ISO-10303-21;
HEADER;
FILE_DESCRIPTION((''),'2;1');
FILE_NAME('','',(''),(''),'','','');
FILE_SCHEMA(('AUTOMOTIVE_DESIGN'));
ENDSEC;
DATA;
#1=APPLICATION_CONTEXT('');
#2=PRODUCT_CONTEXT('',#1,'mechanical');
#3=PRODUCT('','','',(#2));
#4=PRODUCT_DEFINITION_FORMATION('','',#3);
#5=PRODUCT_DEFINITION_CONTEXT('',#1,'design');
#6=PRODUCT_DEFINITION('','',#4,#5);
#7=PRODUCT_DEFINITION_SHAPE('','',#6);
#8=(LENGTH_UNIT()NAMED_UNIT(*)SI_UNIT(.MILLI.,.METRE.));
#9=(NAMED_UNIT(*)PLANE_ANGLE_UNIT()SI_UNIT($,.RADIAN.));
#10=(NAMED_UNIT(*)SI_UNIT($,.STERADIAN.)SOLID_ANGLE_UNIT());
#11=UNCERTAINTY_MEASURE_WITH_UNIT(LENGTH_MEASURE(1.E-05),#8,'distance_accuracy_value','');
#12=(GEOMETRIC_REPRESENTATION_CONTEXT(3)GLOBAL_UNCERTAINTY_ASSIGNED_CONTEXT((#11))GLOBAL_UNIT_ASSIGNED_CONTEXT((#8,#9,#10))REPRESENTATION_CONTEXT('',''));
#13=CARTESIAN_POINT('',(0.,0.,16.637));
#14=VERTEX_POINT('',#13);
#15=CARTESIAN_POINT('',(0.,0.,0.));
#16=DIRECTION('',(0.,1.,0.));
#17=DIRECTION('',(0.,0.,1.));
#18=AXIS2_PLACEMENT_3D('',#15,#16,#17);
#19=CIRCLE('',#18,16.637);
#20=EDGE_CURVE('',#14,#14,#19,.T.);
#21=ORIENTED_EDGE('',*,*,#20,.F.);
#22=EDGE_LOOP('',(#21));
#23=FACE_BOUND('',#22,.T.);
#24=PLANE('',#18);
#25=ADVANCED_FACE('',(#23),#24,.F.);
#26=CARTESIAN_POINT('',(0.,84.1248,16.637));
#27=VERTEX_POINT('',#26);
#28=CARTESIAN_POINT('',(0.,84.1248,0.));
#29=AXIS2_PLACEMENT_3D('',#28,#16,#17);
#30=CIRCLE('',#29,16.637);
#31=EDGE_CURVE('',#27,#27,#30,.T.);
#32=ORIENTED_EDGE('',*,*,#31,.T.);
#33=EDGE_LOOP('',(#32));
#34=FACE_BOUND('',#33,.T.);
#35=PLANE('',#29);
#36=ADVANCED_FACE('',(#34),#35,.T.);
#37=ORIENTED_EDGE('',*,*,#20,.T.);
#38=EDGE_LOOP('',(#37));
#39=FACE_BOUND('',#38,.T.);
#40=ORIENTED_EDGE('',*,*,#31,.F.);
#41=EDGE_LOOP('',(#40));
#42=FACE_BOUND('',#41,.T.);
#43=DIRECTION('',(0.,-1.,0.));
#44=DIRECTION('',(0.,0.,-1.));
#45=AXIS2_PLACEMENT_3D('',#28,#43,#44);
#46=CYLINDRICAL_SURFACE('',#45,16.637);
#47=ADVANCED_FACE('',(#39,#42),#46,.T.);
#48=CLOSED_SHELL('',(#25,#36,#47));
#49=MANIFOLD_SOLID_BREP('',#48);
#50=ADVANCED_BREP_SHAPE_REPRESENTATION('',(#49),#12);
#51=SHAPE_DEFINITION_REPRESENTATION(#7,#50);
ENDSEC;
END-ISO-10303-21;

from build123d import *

# Parameters (mm, degrees)
SKETCH1_R           = 16.637
BOSS_EXTRUDE1_DEPTH = 84.1248


with BuildPart() as part:
    # Sketch1 → Boss-Extrude1 (new body)
    with BuildSketch(Plane(origin=(0, 0, 0), x_dir=(1, 0, 0), z_dir=(0, 1, 0))):
        Circle(SKETCH1_R)
    extrude(amount=BOSS_EXTRUDE1_DEPTH)


solid = part.part
